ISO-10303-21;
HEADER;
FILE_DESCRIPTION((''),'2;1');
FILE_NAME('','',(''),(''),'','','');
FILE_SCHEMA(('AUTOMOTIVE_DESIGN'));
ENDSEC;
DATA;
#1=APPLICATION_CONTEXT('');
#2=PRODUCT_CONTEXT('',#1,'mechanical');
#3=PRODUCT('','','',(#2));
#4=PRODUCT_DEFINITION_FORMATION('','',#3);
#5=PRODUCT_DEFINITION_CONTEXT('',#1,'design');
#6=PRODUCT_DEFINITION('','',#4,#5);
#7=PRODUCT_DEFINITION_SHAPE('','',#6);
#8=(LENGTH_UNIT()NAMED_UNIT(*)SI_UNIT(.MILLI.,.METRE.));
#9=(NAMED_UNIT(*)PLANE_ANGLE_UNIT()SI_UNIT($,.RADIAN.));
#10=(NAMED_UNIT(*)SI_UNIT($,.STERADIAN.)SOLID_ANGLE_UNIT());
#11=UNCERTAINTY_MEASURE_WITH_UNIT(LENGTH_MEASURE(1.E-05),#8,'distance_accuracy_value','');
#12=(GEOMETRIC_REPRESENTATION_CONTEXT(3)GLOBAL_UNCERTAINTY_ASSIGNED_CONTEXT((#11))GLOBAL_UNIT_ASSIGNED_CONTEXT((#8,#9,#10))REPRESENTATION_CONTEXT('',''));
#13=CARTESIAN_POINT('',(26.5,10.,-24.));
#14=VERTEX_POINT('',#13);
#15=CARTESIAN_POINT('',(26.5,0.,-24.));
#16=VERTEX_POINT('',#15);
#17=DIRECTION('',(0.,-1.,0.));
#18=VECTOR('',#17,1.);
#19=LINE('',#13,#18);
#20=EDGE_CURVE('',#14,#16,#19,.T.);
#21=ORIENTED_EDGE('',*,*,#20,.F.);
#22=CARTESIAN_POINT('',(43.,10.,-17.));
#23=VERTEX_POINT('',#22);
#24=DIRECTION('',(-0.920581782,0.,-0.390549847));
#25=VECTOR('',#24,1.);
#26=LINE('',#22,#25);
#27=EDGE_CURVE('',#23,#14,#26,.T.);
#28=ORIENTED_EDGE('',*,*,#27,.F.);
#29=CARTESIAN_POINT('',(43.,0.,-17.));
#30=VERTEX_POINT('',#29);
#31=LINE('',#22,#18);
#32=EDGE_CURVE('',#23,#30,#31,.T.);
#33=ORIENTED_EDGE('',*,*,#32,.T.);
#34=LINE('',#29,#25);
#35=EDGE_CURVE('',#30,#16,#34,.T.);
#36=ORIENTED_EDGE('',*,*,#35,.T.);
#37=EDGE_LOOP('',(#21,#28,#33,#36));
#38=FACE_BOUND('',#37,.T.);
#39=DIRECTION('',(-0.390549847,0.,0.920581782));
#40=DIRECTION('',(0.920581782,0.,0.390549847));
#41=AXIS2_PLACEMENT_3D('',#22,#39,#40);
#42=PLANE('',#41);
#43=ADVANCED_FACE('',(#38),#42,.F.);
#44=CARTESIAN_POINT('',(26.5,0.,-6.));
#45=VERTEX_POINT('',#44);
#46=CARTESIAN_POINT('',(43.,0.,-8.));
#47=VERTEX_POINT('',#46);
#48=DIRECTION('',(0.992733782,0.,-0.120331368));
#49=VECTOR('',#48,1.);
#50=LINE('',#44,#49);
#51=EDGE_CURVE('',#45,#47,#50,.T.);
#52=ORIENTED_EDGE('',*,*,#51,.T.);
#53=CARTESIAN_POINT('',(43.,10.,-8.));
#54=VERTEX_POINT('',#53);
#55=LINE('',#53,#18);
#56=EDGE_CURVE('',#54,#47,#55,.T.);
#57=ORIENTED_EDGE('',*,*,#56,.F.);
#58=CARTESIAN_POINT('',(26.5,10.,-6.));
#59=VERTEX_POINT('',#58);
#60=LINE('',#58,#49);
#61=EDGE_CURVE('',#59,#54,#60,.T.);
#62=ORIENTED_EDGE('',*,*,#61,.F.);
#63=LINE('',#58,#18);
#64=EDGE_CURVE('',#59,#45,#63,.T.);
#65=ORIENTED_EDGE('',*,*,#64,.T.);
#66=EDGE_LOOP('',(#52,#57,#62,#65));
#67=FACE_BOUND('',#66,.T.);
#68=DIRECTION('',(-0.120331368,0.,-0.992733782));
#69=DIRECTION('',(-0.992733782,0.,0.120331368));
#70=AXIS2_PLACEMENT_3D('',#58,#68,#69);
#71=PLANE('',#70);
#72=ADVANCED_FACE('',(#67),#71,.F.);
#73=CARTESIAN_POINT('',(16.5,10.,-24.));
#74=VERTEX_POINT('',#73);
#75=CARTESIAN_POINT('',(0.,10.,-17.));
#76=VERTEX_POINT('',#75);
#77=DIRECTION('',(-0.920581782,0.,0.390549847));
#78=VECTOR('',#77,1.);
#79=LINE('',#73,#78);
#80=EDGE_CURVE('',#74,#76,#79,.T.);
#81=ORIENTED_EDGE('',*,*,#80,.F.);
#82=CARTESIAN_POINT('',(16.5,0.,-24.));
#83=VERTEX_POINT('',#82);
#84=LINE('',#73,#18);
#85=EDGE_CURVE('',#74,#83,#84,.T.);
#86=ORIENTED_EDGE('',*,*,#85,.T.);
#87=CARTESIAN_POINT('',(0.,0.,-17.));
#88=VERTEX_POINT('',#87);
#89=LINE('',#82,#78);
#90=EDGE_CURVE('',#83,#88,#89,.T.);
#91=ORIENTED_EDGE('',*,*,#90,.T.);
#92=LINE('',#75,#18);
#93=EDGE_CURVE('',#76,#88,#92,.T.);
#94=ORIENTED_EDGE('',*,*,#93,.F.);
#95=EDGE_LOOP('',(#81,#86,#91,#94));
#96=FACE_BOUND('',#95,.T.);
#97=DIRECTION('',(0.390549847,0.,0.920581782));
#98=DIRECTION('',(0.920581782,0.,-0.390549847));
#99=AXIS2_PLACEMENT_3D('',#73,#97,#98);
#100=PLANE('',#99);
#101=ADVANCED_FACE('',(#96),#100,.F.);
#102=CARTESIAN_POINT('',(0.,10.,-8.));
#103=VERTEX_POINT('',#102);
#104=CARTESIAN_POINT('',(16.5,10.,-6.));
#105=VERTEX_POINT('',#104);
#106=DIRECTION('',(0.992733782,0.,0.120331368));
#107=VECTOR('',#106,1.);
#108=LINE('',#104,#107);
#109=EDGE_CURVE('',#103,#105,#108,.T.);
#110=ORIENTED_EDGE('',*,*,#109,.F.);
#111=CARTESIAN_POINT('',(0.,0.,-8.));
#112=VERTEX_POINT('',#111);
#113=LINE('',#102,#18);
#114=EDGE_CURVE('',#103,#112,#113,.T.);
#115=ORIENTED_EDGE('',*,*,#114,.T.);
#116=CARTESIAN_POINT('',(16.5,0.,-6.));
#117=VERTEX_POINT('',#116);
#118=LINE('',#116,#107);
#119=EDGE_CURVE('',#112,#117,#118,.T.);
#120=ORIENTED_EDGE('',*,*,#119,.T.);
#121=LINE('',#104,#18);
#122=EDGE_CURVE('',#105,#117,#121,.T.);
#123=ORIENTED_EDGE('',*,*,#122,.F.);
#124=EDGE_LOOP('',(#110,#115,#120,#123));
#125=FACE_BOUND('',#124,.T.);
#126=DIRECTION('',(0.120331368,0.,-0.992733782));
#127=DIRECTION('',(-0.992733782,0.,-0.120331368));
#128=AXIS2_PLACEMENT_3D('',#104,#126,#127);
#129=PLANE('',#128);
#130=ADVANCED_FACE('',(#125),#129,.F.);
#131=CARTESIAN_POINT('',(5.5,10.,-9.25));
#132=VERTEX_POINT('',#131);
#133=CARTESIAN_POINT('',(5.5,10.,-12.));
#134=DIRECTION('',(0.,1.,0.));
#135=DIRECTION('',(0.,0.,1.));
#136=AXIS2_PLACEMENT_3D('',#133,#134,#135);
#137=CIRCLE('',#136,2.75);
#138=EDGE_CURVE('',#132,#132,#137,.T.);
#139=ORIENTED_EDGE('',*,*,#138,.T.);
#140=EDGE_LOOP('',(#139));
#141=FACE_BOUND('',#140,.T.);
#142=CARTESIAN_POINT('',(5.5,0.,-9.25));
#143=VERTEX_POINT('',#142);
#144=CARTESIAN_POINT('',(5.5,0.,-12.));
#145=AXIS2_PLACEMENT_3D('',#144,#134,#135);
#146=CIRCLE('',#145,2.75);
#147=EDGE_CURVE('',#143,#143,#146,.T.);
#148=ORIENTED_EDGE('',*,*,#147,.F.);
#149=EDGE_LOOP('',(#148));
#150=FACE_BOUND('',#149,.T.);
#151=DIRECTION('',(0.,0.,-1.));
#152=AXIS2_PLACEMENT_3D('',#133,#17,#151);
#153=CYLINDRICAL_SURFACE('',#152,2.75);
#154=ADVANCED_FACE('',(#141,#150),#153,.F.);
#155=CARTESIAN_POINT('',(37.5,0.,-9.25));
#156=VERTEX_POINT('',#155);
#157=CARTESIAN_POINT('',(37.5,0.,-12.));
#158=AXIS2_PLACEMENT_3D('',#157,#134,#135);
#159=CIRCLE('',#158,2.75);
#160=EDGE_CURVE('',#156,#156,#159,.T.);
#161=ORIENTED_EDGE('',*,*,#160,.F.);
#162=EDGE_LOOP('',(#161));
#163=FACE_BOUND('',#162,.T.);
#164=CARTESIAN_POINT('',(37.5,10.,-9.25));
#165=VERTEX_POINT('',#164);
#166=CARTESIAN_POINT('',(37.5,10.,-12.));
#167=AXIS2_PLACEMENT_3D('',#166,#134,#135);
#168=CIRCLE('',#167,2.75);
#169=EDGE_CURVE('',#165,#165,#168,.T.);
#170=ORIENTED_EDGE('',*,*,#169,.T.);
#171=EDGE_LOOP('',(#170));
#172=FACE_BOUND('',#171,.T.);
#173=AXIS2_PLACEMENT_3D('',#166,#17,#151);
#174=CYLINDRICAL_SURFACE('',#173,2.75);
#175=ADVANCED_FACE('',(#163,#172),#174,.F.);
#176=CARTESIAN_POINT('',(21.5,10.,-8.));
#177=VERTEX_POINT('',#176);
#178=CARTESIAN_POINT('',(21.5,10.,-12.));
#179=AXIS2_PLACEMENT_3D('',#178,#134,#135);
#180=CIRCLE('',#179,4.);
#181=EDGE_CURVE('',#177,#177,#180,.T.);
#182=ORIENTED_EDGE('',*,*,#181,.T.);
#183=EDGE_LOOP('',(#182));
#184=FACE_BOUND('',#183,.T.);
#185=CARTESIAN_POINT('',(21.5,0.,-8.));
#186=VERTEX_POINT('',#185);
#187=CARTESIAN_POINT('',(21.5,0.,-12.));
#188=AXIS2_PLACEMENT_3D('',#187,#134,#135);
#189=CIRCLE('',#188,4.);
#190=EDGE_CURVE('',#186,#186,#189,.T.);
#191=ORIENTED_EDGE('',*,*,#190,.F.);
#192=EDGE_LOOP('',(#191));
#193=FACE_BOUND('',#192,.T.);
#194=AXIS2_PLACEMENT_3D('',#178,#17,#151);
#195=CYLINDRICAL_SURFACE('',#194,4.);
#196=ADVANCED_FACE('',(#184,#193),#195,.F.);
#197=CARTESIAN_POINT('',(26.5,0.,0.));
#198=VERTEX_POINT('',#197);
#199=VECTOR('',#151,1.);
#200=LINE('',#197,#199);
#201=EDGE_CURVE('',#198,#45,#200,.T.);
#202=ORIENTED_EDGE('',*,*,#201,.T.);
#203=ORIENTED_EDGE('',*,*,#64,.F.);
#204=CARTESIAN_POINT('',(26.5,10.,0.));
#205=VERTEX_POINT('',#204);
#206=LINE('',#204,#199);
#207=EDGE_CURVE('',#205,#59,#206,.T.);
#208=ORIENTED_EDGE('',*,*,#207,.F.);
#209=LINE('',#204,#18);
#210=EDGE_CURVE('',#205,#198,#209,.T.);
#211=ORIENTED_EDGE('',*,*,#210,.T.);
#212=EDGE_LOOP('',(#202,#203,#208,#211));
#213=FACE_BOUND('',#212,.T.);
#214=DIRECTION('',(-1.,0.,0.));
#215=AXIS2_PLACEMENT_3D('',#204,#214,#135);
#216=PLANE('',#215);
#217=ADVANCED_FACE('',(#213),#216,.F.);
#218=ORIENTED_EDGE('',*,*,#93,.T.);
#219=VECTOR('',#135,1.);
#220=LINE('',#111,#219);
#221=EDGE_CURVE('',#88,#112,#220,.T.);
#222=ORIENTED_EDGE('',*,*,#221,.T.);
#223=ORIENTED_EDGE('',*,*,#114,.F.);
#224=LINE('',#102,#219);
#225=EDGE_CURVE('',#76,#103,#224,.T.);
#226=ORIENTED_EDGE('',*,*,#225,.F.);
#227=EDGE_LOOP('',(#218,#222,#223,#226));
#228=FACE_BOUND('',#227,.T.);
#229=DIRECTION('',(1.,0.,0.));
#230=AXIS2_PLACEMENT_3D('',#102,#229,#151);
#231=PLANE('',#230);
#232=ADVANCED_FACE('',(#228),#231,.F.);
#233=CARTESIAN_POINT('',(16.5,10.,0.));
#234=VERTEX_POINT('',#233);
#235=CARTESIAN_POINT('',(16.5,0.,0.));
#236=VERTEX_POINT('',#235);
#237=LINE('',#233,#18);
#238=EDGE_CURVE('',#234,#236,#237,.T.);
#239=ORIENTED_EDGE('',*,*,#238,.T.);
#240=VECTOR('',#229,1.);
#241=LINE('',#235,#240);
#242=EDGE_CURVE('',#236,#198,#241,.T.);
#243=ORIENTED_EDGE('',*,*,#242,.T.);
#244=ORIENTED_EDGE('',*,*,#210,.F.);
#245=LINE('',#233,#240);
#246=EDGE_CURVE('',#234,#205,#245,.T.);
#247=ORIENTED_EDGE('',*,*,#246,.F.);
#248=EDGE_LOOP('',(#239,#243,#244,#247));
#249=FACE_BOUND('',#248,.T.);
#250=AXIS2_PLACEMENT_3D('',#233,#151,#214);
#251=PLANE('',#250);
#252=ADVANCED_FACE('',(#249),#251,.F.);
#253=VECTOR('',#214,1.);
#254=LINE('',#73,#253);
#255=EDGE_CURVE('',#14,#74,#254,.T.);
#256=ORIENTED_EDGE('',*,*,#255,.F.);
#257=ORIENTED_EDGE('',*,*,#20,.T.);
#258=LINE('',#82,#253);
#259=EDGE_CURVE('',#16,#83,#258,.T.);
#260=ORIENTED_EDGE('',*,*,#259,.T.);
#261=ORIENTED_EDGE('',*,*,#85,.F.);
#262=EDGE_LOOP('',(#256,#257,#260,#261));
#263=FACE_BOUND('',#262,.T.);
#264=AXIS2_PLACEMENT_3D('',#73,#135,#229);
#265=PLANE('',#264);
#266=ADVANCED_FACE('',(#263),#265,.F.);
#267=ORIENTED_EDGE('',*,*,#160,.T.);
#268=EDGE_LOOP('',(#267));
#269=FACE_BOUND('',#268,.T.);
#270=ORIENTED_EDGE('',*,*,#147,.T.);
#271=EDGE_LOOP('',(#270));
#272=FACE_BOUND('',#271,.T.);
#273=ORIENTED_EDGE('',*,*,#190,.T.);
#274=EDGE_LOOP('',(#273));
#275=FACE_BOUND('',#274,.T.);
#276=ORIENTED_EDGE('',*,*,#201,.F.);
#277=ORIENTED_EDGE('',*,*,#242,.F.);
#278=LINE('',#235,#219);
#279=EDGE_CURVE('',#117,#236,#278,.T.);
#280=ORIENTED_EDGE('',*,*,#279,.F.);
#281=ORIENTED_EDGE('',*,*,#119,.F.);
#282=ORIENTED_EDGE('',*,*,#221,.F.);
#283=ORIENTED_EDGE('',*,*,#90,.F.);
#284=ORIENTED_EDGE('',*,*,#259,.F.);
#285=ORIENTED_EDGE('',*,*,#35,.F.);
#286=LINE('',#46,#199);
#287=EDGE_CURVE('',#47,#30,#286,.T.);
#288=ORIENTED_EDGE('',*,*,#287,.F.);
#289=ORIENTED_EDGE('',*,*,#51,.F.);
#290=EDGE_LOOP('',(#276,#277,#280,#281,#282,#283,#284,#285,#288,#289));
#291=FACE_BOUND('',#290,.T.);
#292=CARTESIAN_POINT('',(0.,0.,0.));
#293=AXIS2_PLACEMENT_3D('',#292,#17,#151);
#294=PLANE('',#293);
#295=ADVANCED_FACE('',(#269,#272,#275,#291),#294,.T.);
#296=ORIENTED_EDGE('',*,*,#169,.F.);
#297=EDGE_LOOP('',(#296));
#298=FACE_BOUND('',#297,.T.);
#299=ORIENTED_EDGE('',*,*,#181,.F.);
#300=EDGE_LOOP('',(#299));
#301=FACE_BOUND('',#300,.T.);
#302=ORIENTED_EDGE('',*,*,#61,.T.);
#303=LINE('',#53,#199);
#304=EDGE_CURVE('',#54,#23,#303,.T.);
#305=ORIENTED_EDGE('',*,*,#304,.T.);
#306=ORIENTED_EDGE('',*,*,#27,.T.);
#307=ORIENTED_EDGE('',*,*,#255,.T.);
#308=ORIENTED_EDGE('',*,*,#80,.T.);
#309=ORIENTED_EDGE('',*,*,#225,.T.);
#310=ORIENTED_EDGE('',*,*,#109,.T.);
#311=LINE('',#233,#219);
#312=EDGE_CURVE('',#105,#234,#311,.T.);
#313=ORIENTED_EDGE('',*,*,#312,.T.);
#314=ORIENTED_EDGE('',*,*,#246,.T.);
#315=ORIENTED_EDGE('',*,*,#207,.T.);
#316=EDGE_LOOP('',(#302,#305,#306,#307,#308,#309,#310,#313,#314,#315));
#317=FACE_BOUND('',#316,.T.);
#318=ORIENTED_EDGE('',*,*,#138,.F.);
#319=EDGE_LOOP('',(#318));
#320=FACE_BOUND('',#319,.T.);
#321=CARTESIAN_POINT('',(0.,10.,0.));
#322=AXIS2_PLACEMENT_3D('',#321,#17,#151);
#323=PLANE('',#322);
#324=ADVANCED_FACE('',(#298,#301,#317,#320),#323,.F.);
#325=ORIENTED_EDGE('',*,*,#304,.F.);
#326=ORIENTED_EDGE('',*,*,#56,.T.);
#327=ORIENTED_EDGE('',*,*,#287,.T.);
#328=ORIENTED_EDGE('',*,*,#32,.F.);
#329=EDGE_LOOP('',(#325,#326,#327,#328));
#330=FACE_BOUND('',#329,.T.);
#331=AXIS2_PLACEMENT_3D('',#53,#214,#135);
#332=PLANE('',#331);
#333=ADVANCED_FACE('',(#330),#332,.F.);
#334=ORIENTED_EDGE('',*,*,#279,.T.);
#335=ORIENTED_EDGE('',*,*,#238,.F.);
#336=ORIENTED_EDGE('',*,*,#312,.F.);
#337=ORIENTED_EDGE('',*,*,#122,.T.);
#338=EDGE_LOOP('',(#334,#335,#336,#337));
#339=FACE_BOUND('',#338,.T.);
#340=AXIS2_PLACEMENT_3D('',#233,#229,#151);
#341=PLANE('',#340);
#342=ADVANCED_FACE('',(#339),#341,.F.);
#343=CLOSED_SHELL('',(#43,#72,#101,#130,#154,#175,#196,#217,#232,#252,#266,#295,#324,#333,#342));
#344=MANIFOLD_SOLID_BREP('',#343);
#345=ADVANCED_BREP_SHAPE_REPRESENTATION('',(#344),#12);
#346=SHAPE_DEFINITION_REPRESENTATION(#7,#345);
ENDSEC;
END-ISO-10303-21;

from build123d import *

# Parameters (mm, degrees)
SKETCH_1_R      = 2.75
SKETCH_1_R_2    = 4
EXTRUDE_1_DEPTH = 10


with BuildPart() as part:
    # Эскиз1 → Бобышка-Вытянуть1 (new body)
    with BuildSketch(Plane(origin=(0, 0, 0), x_dir=(1, 0, 0), z_dir=(0, 1, 0))):
        Polygon((16.5, 0), (26.5, 0), (26.5, 6), (43, 8), (43, 17), (26.5, 24), (16.5, 24), (0, 17), (0, 8), (16.5, 6), align=None)
        with Locations(Location((5.5, 12, 0), (0, 0, 270))):
            Circle(SKETCH_1_R, mode=Mode.SUBTRACT)
        with Locations(Location((37.5, 12, 0), (0, 0, 270))):
            Circle(SKETCH_1_R, mode=Mode.SUBTRACT)
        with Locations(Location((21.5, 12, 0), (0, 0, 270))):
            Circle(SKETCH_1_R_2, mode=Mode.SUBTRACT)
    extrude(amount=EXTRUDE_1_DEPTH)


solid = part.part
